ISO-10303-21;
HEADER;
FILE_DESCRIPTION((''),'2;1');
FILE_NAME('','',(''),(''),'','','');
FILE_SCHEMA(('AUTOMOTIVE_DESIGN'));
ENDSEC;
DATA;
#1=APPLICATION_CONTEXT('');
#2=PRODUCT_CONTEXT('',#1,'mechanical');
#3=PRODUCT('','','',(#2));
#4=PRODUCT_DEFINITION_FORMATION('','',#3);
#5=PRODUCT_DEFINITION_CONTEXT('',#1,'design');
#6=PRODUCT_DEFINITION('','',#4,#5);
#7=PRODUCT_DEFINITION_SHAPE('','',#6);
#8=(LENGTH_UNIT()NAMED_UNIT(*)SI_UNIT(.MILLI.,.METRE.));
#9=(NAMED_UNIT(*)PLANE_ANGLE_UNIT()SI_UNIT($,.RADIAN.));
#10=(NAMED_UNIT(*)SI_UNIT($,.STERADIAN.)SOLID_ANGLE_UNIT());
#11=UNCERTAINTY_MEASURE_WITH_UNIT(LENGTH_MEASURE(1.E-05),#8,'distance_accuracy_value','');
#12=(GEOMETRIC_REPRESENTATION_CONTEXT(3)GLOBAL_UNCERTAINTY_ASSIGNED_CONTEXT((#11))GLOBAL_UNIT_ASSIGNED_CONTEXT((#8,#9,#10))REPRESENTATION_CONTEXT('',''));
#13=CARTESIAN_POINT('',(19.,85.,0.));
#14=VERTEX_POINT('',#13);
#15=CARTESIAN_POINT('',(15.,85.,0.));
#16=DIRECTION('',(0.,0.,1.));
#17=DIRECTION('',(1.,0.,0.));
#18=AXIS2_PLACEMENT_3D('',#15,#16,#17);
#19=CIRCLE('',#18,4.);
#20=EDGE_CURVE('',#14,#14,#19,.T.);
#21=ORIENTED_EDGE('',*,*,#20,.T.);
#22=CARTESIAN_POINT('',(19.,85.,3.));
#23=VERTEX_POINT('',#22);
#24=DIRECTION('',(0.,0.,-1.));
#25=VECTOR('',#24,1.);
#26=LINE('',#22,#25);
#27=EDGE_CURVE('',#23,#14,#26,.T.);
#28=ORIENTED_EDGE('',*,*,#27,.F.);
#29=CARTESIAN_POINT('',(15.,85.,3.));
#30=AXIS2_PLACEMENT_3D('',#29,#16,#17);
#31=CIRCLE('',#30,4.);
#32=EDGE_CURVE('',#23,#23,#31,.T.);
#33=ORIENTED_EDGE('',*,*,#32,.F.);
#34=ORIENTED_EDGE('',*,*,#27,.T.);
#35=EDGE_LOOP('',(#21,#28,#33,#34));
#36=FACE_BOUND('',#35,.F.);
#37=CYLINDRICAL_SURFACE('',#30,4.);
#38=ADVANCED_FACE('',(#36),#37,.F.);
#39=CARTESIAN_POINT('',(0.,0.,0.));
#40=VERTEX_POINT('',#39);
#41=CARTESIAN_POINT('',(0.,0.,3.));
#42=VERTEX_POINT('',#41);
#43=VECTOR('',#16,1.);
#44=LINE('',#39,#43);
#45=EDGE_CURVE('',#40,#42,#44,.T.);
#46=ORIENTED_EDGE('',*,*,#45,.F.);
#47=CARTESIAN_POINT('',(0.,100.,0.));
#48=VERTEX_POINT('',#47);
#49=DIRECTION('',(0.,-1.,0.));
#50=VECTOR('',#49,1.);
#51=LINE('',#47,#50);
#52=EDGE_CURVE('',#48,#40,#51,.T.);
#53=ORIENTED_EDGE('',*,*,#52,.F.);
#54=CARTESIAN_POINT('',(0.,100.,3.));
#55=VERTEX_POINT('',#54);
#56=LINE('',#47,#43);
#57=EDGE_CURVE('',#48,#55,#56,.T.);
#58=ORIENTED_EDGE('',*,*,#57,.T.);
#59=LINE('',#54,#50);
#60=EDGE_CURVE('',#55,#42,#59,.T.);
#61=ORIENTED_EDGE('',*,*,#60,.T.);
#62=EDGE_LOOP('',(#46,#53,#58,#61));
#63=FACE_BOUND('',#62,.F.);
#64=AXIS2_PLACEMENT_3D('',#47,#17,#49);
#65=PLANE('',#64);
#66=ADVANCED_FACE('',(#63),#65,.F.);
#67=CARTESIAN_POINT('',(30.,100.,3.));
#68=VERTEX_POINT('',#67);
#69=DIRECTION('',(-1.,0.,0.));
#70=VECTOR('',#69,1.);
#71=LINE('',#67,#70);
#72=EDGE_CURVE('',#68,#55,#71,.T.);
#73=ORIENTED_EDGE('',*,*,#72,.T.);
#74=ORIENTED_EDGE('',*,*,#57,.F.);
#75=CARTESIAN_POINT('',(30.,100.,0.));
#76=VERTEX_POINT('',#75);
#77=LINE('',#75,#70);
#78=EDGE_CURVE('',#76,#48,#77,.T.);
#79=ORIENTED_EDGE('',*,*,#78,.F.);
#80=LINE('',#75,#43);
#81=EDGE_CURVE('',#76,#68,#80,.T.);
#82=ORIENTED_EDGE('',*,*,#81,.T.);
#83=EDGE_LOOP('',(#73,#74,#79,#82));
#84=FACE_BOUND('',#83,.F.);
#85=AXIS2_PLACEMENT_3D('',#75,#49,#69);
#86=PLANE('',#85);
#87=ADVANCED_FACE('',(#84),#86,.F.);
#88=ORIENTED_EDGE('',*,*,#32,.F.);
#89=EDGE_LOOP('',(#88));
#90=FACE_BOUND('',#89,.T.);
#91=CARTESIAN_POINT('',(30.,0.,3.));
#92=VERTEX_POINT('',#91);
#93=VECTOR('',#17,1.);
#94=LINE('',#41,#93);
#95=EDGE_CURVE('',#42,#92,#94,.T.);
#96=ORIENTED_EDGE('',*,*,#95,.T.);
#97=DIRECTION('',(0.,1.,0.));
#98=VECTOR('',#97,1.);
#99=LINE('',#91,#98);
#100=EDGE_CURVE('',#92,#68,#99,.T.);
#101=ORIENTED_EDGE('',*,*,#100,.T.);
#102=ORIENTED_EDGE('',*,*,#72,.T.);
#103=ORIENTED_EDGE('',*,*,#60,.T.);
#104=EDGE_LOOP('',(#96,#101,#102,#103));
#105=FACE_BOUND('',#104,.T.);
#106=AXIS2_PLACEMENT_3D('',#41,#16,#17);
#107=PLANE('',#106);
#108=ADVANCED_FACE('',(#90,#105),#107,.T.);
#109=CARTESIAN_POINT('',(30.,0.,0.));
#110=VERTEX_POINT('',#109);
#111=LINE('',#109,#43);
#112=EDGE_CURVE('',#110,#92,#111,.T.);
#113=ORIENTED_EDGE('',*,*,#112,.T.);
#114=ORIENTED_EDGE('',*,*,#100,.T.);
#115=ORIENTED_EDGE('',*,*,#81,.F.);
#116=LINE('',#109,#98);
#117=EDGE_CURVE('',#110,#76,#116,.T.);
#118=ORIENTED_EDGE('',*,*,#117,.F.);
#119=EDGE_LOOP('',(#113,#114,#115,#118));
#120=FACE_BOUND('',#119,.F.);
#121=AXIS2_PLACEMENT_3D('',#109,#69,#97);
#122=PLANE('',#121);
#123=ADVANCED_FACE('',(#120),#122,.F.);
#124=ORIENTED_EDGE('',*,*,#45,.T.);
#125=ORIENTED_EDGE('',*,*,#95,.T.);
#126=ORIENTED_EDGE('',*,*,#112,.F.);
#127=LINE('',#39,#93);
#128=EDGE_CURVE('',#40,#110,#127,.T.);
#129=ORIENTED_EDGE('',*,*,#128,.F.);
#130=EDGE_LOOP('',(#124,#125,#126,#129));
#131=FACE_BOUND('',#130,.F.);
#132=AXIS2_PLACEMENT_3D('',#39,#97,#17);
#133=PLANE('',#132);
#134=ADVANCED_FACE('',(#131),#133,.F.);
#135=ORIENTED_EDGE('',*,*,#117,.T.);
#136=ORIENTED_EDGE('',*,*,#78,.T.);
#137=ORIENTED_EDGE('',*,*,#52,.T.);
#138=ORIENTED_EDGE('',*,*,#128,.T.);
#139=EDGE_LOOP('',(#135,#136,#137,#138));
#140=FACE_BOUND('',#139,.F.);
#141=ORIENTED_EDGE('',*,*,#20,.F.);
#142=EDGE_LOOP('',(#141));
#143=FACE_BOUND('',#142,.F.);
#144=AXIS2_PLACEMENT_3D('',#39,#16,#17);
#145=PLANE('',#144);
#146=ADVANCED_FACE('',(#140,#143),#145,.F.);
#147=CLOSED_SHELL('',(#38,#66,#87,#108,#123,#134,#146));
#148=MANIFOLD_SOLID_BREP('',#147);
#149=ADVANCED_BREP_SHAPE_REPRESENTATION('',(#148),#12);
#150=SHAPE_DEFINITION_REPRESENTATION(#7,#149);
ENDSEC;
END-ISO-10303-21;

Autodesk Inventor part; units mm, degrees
ref_plane "YZ Plane" through (0, 0, 0) normal (1, 0, 0) x (0, 1, 0)
ref_plane "XZ Plane" through (0, 0, 0) normal (0, 1, 0) x (-1, 0, 0)
ref_plane "XY Plane" through (0, 0, 0) normal (0, 0, 1) x (1, 0, 0)
sketch "Sketch1" plane through (0, 0, 0) normal (0, 0, 1) x (1, 0, 0)
  line L0 (0, 0) -> (30, 0)
  line L1 (30, 0) -> (30, 100)
  line L2 (30, 100) -> (0, 100)
  line L3 (0, 100) -> (0, 0)
  dimension "d0" = 30
  dimension "d1" = 100
extrude "Extrusion1" add sketch "Sketch1" along normal blind 3
sketch "Sketch2" plane through (0, 0, 3) normal (0, 0, 1) x (1, 0, 0)
  circle A0 centre (15, 85) radius 4
  line L0 (30, 0) -> (30, 100) projected
  line L1 (30, 100) -> (0, 100) projected
  point P0 (0, 0)
  dimension "d4" = 8
  dimension "d5" = 15
  dimension "d6" = 15
extrude "Extrusion2" cut sketch "Sketch2" against normal through all
properties part number "Chapa para sensor ultrassônico" material "Steel AISI 1006 85 HR"
